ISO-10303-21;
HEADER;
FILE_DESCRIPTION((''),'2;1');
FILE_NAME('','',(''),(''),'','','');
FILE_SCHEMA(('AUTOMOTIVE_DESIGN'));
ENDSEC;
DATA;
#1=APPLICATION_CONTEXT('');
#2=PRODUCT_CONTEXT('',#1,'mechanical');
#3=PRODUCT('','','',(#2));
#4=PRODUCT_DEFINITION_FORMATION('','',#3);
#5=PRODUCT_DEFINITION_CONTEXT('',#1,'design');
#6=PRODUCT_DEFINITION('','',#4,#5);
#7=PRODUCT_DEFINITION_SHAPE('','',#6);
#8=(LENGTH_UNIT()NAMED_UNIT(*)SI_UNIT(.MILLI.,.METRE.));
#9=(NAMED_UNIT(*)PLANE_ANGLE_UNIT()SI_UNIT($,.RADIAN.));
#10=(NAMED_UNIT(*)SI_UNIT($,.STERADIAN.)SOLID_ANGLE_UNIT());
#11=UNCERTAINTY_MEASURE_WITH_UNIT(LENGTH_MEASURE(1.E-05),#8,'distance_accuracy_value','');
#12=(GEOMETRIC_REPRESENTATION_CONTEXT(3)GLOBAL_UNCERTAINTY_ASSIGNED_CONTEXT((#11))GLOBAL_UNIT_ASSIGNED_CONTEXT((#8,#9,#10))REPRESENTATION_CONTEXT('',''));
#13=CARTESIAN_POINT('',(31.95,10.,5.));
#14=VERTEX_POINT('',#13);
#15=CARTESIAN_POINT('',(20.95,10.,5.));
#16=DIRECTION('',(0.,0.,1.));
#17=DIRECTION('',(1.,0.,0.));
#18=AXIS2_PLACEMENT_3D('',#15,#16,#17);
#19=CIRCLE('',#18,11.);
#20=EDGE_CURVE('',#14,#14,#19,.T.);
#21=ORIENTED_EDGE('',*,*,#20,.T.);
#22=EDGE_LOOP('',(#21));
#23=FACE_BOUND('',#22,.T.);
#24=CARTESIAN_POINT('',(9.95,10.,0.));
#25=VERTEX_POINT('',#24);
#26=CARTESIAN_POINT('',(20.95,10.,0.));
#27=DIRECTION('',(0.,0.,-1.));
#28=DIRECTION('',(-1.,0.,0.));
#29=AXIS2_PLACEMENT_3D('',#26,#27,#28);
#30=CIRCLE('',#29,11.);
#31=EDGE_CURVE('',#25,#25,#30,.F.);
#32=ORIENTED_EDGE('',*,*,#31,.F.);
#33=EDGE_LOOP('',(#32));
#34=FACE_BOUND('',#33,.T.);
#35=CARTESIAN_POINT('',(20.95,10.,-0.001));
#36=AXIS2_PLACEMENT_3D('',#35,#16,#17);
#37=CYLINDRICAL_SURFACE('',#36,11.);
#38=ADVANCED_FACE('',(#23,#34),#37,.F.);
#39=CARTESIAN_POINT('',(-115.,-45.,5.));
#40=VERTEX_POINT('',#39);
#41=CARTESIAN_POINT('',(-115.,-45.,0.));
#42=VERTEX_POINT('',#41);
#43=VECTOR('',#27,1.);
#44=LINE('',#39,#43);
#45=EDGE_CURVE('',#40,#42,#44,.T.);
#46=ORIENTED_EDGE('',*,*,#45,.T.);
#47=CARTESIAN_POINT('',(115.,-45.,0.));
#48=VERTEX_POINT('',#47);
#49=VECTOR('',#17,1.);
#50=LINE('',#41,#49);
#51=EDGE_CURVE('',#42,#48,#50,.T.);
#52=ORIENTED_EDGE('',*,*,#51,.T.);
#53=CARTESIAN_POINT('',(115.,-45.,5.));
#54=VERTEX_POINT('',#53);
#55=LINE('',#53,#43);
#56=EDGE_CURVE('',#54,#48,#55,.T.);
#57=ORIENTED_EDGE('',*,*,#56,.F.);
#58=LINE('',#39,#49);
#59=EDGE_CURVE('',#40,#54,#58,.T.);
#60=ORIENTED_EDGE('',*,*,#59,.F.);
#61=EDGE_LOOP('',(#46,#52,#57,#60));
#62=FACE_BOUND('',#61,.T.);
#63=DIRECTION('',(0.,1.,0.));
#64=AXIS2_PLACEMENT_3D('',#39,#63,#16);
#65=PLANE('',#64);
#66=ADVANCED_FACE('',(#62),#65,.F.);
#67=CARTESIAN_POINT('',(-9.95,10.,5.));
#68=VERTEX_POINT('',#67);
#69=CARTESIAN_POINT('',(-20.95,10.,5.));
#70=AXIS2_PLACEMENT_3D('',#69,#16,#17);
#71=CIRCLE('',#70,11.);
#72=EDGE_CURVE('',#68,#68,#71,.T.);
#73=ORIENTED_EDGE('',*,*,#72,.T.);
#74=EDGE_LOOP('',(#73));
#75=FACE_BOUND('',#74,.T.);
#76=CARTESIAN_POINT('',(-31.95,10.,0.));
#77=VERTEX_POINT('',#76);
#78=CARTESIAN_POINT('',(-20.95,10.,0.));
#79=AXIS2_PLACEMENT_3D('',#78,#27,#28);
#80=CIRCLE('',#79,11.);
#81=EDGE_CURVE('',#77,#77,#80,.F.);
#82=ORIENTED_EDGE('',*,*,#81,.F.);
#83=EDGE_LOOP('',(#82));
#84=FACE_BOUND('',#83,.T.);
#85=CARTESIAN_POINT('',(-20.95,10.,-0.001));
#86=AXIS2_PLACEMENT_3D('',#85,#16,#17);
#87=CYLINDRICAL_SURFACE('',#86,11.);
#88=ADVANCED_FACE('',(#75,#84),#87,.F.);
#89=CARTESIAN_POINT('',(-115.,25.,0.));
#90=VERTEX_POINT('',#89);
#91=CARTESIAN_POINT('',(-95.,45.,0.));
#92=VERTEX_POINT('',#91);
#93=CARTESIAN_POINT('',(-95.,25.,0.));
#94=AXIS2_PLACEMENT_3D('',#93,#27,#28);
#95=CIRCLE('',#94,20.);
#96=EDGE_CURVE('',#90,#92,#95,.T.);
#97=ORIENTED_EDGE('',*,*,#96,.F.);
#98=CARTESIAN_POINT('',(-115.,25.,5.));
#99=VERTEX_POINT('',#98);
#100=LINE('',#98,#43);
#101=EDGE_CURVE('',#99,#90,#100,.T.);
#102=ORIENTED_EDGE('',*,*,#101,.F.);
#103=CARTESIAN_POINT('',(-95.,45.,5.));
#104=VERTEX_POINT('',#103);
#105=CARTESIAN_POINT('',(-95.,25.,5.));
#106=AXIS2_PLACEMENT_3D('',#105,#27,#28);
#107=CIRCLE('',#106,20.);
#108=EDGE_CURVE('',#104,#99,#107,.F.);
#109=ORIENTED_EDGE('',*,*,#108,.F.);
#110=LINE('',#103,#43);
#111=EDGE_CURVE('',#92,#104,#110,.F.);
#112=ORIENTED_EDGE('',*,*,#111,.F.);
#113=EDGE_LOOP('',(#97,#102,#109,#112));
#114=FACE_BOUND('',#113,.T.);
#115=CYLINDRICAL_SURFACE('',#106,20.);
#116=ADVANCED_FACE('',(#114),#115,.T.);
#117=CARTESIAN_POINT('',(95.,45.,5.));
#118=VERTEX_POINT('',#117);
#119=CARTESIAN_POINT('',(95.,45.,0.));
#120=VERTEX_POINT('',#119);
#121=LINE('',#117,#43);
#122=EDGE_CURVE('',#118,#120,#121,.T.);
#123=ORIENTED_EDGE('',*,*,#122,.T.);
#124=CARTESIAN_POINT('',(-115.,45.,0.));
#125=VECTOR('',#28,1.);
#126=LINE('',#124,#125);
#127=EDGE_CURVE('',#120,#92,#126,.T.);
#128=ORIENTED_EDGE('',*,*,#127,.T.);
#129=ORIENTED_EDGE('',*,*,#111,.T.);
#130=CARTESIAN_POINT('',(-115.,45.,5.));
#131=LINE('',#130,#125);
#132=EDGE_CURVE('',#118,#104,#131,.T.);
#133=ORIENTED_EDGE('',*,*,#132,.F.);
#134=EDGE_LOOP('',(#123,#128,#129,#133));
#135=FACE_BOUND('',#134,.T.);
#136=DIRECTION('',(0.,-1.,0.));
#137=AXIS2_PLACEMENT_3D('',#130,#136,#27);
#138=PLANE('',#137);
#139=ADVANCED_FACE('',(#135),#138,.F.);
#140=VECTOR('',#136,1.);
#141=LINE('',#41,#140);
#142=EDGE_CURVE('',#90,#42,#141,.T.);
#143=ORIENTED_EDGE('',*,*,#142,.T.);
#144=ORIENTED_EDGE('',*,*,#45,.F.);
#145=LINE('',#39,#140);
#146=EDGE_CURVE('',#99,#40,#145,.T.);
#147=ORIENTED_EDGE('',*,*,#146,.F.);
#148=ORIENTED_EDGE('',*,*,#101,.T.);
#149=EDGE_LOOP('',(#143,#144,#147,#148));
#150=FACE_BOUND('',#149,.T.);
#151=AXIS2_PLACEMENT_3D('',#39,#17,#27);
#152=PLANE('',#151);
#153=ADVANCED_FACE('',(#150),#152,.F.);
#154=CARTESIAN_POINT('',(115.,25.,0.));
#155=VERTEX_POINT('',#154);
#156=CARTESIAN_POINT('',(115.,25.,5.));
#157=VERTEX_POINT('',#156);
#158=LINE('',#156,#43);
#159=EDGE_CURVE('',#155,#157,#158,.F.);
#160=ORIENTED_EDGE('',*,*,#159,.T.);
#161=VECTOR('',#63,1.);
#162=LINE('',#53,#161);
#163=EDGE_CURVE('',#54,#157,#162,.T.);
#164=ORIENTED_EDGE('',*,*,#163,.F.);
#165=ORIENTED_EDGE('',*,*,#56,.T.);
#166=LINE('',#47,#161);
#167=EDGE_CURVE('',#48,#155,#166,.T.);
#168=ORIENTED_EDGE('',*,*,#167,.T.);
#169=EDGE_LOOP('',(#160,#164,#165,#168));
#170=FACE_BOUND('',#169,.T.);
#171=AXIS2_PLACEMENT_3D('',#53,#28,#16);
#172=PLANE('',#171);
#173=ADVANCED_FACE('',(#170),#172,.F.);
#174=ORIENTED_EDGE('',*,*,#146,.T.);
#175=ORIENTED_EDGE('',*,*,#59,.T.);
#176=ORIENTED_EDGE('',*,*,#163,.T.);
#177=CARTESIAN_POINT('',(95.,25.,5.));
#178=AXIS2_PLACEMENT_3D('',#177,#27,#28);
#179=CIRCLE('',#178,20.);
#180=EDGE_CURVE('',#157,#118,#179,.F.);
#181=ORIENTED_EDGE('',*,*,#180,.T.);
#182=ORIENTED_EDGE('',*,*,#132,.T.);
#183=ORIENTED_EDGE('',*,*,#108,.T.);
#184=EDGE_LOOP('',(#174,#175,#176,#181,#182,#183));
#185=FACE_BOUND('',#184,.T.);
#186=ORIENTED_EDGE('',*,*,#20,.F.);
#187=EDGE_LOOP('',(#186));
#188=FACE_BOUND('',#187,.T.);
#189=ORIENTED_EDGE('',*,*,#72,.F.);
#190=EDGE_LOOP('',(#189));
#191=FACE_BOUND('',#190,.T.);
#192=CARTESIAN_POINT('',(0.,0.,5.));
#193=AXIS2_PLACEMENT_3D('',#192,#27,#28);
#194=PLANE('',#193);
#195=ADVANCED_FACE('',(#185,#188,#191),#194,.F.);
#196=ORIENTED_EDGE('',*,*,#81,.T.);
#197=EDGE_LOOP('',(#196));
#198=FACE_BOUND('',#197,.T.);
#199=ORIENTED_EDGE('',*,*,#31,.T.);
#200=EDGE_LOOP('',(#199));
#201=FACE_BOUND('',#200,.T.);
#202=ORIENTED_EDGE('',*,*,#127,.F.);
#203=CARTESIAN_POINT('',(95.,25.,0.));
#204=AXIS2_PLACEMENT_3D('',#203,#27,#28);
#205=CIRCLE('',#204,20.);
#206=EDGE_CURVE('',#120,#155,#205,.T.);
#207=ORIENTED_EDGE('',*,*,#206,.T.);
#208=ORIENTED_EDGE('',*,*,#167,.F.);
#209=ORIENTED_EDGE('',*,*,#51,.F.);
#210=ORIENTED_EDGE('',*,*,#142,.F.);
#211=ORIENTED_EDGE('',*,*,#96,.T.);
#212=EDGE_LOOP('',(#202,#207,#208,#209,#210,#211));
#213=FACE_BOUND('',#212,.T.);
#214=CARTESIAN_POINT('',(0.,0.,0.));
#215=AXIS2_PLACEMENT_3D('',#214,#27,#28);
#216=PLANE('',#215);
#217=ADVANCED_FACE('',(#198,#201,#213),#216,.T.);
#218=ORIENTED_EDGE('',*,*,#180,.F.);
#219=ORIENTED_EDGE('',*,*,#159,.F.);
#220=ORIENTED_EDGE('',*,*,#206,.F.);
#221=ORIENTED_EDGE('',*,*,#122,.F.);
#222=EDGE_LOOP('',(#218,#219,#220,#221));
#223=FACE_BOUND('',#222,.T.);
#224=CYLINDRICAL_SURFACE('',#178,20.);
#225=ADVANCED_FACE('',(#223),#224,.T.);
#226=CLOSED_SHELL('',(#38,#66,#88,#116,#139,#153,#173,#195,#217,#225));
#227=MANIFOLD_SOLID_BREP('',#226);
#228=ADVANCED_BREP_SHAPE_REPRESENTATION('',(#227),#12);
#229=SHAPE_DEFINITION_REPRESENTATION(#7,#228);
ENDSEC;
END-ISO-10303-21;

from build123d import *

# Parameters (mm, degrees)
SKETCH1_W           = 230
SKETCH1_H           = 90
BOSS_EXTRUDE1_DEPTH = 5
FILLET1_R           = 20
CUT_EXTRUDE1_REACH  = 125.592
SKETCH2_R           = 11


with BuildPart() as part:
    # Sketch1 → Boss-Extrude1 (new body)
    with BuildSketch(Plane.XY):
        Rectangle(SKETCH1_W, SKETCH1_H)
    extrude(amount=BOSS_EXTRUDE1_DEPTH)

    # Fillet1
    fillet1_edges = [part.edges().sort_by_distance(p)[0] for p in [
        (-115, 45, 2.5),
        (115, 45, 2.5),
    ]]
    fillet(fillet1_edges, radius=FILLET1_R)

    # Sketch2 → Cut-Extrude1 (cut, up to next)
    with BuildSketch(Plane.XY.offset(5), mode=Mode.PRIVATE) as cut_extrude1_sk1:
        with Locations((-20.95, 10)):
            Circle(SKETCH2_R)
    cut_extrude1_tool1 = extrude(cut_extrude1_sk1.sketch, amount=-CUT_EXTRUDE1_REACH, mode=Mode.PRIVATE) & part.part
    # Sketch2 → Cut-Extrude1 (cut, up to next)
    with BuildSketch(Plane.XY.offset(5), mode=Mode.PRIVATE) as cut_extrude1_sk2:
        with Locations((20.95, 10)):
            Circle(SKETCH2_R)
    cut_extrude1_tool2 = extrude(cut_extrude1_sk2.sketch, amount=-CUT_EXTRUDE1_REACH, mode=Mode.PRIVATE) & part.part
    add(cut_extrude1_tool1.solids().sort_by_distance((-20.95, 10, 5))[0], mode=Mode.SUBTRACT)
    add(cut_extrude1_tool2.solids().sort_by_distance((20.95, 10, 5))[0], mode=Mode.SUBTRACT)


solid = part.part
